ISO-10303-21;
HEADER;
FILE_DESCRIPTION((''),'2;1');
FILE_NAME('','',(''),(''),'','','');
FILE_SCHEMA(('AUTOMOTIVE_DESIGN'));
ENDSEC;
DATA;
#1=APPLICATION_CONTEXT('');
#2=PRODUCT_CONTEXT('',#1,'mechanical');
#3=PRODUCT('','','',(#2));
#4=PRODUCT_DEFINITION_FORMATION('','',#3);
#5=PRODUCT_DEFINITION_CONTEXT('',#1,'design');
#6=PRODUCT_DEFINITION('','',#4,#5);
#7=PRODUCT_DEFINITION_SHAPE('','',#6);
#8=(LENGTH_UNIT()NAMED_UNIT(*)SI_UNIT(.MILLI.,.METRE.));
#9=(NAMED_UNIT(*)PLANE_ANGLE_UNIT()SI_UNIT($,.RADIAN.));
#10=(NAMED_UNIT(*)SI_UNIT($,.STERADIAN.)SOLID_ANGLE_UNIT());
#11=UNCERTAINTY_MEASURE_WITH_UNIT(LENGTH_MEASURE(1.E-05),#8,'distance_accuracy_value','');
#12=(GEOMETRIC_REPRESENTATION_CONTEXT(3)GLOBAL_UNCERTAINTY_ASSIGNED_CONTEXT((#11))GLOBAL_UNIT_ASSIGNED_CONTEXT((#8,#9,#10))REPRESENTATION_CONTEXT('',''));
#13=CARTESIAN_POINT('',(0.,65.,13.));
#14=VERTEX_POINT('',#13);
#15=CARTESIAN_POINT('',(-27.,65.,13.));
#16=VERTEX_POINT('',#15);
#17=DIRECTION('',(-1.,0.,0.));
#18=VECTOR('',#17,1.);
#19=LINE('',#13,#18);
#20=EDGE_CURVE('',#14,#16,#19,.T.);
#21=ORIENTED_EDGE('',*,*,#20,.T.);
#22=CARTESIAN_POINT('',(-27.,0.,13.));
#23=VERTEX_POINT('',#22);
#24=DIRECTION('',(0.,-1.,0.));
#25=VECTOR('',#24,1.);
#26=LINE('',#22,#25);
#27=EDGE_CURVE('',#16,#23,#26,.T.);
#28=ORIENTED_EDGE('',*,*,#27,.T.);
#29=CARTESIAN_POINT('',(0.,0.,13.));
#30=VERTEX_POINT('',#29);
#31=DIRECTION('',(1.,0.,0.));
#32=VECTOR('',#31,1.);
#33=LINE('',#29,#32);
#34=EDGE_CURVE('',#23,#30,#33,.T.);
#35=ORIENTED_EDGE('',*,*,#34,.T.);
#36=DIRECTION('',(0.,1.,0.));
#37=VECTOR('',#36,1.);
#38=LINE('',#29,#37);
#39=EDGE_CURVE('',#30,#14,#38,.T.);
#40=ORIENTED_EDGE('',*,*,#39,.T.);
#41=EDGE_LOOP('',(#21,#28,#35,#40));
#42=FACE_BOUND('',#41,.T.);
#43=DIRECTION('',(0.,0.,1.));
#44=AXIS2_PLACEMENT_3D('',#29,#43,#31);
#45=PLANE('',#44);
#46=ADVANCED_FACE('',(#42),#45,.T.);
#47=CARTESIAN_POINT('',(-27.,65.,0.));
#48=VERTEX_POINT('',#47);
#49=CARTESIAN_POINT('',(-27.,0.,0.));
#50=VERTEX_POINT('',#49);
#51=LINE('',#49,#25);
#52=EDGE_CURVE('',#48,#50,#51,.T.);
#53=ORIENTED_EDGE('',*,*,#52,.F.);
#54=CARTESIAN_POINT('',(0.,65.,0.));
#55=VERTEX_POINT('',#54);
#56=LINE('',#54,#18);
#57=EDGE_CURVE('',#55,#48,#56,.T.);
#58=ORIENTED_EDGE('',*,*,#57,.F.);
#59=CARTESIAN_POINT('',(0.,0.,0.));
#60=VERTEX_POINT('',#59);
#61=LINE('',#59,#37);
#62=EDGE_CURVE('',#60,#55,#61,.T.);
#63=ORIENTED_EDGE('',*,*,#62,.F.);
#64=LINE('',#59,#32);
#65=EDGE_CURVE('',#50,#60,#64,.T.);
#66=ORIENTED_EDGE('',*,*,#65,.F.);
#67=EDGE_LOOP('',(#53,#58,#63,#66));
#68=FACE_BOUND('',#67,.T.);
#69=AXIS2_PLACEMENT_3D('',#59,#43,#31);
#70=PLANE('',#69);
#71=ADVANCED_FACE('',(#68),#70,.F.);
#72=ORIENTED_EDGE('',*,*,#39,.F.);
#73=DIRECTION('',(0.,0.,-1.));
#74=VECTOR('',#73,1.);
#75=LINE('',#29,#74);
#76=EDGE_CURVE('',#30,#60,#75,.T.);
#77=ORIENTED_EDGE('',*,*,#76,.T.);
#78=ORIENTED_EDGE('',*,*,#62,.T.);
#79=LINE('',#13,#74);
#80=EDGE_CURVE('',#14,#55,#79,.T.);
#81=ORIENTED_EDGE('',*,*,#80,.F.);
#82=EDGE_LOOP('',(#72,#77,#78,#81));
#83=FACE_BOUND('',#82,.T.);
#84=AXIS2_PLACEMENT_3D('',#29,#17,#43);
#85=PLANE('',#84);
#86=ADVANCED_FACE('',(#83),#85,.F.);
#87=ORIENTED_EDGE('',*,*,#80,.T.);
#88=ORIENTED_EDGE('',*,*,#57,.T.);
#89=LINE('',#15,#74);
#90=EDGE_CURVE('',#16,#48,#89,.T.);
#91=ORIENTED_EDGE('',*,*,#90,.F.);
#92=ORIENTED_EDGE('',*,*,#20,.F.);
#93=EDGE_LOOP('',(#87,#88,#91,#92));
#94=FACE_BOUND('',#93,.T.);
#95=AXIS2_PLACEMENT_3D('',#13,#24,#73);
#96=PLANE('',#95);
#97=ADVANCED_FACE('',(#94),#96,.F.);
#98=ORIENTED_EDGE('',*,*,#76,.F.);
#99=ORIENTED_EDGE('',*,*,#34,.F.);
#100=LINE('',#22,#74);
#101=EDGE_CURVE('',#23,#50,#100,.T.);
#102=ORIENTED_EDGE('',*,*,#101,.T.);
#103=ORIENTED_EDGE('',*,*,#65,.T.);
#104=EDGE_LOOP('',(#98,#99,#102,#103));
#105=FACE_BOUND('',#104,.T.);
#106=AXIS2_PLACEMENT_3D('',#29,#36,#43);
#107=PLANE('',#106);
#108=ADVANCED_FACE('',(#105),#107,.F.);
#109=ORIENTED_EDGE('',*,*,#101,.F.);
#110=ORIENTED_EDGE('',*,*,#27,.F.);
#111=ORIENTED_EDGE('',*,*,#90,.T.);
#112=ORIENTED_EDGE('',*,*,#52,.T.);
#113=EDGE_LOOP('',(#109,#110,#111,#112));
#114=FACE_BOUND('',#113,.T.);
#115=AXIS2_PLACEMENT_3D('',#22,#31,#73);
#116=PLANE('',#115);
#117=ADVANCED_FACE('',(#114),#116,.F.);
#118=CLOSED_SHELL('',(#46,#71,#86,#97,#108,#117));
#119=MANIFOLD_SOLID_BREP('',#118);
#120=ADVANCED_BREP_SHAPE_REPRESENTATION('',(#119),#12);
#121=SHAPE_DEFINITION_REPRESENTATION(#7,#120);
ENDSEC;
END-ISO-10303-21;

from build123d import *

# Parameters (mm, degrees)
ESQUISSE1_W        = 27
ESQUISSE1_H        = 65
BOSS_EXTRU_1_DEPTH = 13


with BuildPart() as part:
    # Esquisse1 → Boss.-Extru.1 (new body)
    with BuildSketch(Plane.XY):
        with Locations((-13.5, 32.5)):
            Rectangle(ESQUISSE1_W, ESQUISSE1_H)
    extrude(amount=BOSS_EXTRU_1_DEPTH)


solid = part.part
